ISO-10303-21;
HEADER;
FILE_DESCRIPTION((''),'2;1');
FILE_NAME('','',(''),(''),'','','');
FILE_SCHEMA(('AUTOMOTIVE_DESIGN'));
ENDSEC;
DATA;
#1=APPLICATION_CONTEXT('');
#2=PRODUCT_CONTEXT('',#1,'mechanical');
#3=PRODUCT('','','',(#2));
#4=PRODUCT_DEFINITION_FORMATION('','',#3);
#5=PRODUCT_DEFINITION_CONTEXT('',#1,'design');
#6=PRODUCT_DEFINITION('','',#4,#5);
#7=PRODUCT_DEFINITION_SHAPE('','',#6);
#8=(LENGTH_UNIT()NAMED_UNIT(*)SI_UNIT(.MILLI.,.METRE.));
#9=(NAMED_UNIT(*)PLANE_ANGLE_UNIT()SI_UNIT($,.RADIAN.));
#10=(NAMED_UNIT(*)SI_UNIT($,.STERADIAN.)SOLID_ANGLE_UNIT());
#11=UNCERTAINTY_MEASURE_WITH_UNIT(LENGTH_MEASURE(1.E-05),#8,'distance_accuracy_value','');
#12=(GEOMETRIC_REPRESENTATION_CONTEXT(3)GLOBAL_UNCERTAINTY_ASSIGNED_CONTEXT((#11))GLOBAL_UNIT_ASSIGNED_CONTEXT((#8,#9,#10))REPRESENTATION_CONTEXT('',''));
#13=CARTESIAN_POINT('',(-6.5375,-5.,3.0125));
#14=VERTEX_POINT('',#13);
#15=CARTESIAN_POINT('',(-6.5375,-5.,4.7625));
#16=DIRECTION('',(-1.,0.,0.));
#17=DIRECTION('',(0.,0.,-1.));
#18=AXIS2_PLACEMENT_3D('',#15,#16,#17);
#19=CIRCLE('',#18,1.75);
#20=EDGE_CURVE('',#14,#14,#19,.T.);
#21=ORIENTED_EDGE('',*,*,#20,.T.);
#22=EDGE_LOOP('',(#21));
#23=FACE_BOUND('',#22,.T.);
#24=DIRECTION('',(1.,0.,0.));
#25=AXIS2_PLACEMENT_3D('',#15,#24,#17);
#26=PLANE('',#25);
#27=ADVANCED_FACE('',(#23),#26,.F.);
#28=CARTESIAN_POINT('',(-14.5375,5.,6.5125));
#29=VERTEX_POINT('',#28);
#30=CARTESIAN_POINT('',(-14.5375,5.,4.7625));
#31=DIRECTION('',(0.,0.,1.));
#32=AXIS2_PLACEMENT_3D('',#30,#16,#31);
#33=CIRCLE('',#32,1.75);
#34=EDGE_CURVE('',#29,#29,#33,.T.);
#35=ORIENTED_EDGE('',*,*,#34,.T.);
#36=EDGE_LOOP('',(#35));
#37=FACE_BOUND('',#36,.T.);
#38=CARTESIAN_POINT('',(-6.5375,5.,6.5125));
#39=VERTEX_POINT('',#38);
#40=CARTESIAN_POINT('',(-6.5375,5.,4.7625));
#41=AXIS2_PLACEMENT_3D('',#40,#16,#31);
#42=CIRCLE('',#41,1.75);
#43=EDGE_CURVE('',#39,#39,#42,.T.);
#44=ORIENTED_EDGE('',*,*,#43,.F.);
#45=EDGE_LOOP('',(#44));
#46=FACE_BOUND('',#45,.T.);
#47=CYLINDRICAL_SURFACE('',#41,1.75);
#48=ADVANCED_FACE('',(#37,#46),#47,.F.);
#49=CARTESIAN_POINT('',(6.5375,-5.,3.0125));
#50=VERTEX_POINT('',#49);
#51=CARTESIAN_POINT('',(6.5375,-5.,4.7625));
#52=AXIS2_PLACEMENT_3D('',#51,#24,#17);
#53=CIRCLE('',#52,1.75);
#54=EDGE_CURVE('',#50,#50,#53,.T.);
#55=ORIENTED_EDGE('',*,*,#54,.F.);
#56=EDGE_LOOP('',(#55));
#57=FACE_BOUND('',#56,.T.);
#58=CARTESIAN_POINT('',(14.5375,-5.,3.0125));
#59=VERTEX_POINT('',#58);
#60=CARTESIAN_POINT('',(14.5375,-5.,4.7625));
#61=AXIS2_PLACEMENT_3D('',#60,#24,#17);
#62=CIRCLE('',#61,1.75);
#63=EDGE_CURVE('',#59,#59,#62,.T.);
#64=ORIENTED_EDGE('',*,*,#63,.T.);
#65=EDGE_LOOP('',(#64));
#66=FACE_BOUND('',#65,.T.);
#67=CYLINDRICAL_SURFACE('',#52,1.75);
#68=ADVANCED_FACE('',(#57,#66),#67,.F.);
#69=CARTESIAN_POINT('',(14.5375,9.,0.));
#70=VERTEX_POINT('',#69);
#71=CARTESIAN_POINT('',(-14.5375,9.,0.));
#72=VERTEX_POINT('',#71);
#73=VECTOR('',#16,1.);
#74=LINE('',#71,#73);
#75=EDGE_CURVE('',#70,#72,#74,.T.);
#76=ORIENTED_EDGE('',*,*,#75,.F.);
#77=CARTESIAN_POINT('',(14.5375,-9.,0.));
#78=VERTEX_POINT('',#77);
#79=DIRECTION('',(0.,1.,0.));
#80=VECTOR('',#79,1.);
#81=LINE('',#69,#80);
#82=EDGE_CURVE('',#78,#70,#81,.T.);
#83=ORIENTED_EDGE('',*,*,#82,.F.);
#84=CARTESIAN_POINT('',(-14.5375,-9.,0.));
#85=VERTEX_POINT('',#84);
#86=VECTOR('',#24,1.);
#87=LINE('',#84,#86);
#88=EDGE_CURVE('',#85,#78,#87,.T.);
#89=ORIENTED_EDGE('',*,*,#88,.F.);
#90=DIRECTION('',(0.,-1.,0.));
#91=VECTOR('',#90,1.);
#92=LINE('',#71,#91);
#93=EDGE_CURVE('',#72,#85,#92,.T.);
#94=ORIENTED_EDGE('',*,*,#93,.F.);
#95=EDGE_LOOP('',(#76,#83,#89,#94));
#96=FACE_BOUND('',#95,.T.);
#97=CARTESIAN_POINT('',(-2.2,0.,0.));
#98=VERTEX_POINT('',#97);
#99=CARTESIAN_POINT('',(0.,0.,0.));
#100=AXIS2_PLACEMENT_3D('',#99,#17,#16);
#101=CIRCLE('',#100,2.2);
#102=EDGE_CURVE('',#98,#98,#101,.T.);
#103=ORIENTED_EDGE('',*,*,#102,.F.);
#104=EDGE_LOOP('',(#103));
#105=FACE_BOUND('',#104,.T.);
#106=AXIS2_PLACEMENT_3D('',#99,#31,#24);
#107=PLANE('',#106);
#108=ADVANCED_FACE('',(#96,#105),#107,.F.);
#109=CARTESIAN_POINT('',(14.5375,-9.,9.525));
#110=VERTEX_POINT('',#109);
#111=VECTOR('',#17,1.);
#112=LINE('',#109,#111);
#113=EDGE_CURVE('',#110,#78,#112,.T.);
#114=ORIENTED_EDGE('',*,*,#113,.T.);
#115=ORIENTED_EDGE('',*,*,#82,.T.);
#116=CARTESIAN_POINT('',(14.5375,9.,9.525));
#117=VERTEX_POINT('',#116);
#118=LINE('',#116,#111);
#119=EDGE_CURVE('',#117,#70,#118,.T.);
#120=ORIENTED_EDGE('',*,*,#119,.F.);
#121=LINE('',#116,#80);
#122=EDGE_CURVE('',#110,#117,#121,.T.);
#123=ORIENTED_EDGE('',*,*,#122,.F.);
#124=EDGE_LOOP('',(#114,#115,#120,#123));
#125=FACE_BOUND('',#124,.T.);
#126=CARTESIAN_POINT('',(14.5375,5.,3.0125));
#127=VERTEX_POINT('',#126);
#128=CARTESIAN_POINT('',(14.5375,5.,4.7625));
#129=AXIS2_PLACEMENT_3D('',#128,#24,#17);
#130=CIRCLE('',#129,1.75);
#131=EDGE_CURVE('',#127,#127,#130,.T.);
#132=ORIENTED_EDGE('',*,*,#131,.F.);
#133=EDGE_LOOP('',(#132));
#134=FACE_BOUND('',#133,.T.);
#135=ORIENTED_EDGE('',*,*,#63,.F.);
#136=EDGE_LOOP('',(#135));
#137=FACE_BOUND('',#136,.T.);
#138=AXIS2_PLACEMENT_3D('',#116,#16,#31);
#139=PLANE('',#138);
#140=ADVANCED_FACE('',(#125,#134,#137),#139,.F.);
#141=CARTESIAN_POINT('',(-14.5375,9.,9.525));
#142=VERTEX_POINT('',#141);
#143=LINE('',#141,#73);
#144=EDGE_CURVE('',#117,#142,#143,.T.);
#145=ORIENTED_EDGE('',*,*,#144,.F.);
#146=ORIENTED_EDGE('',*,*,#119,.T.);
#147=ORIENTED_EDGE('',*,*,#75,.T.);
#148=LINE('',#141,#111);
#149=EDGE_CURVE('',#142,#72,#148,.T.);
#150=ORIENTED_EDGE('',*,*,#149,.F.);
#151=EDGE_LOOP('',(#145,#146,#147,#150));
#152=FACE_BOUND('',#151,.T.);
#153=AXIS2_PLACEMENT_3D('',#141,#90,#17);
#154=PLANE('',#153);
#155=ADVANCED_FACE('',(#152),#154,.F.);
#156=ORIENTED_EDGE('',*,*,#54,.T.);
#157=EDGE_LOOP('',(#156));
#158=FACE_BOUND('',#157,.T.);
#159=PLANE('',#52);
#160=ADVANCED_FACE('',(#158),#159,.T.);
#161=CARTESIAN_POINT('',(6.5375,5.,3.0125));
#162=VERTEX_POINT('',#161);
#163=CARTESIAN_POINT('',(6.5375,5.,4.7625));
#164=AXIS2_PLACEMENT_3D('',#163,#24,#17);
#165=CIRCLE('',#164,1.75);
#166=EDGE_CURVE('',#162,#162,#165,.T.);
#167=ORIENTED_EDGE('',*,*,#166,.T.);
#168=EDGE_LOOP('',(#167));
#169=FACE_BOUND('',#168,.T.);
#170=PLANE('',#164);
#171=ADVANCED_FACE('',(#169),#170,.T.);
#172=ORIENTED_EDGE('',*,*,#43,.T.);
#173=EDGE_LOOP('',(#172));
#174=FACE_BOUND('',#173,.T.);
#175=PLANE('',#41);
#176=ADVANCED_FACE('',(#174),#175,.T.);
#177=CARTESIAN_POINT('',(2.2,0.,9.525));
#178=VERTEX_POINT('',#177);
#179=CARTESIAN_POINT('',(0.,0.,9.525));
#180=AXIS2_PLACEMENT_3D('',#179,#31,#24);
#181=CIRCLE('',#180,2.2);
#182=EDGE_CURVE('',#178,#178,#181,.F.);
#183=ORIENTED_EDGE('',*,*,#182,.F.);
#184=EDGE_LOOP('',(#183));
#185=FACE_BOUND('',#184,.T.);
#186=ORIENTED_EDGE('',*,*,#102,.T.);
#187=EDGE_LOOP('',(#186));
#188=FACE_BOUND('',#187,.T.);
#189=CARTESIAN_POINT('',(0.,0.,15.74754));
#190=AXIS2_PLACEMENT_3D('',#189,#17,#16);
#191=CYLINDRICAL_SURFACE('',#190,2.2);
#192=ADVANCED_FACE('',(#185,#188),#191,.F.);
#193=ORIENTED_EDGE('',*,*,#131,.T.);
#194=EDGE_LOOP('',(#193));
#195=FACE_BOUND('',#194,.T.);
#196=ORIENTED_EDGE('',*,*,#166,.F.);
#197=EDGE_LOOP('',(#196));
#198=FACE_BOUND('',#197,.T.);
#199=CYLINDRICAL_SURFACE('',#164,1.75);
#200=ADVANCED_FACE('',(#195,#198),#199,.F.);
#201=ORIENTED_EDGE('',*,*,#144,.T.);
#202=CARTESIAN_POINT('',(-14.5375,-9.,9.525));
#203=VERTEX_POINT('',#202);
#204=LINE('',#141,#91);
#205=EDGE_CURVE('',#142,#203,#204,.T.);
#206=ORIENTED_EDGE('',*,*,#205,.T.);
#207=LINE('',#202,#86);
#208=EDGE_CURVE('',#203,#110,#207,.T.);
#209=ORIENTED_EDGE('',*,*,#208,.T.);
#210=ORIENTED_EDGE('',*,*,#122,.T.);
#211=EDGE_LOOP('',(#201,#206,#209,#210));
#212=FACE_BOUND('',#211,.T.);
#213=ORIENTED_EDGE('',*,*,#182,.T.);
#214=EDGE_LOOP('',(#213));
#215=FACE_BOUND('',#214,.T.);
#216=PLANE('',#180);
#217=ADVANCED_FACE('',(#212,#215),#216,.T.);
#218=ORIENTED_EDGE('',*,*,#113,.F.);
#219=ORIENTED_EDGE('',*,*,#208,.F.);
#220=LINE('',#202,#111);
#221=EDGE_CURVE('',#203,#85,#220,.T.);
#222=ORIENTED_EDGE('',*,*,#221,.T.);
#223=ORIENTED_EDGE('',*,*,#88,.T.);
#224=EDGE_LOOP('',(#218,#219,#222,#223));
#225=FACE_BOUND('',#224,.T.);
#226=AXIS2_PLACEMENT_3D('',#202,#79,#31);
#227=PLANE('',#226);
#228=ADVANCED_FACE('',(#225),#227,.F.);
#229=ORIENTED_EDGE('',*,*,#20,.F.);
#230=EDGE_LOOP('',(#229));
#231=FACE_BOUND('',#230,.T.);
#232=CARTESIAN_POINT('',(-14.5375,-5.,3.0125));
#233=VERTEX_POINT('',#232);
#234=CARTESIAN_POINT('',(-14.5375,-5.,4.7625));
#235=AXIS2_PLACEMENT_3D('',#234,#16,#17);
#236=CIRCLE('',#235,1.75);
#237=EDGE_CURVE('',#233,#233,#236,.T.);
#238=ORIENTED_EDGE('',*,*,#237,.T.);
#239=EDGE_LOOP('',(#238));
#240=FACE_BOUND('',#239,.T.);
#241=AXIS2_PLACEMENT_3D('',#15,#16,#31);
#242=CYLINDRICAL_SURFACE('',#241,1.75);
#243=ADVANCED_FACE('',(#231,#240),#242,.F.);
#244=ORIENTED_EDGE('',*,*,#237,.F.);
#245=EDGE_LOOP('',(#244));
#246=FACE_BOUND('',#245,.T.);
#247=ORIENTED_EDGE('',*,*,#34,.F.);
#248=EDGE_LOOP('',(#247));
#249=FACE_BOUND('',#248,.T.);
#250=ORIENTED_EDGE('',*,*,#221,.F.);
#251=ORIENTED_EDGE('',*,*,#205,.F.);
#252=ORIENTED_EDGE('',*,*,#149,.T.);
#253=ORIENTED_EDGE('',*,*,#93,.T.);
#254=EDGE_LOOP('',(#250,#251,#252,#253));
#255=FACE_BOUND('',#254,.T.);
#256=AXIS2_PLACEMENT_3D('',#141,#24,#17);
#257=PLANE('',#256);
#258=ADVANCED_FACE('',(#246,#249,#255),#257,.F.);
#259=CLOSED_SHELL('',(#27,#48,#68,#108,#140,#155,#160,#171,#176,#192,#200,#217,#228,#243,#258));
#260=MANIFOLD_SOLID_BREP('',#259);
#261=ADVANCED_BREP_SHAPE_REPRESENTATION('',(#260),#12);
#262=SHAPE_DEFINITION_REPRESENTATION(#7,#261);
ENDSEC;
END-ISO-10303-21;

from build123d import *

# Parameters (mm, degrees)
SKETCH1_W         = 29.075
SKETCH1_H         = 18
EXTRUDE_3_8_DEPTH = 9.525
SKETCH2_R         = 1.75
M4_DRILL_DEPTH    = 8
M4_DRILL2_START   = -8
SKETCH3_R         = 1.75
M4_DRILL2_DEPTH   = 8
SKETCH5_R         = 2.2
M5_DRILL_DEPTH    = 9.525


with BuildPart() as part:
    # Sketch1 → 3/8 (new body)
    with BuildSketch(Plane.XY):
        Rectangle(SKETCH1_W, SKETCH1_H)
    extrude(amount=EXTRUDE_3_8_DEPTH)

    # Sketch2 → M4_DRILL (cut)
    with BuildSketch(Plane.ZY.offset(14.5375)):
        with Locations((4.7625, 5)):
            Circle(SKETCH2_R)
        with Locations(Location((4.7625, -5, 0), (0, 0, 180))):
            Circle(SKETCH2_R)
    extrude(amount=-M4_DRILL_DEPTH, mode=Mode.SUBTRACT)

    # Sketch3 → M4_DRILL2 (cut)
    with BuildSketch(Plane(origin=(14.5375, 0, 0), x_dir=(0, 0, -1), z_dir=(1, 0, 0)).offset(M4_DRILL2_START)):
        with Locations((-4.7625, -5)):
            Circle(SKETCH3_R)
        with Locations(Location((-4.7625, 5, 0), (0, 0, 180))):
            Circle(SKETCH3_R)
    extrude(amount=M4_DRILL2_DEPTH, mode=Mode.SUBTRACT)

    # Sketch5 → M5_DRILL (cut)
    with BuildSketch(Plane(origin=(0, 0, 0), x_dir=(-1, 0, 0), z_dir=(0, 0, -1))):
        Circle(SKETCH5_R)
    extrude(amount=-M5_DRILL_DEPTH, mode=Mode.SUBTRACT)


solid = part.part
